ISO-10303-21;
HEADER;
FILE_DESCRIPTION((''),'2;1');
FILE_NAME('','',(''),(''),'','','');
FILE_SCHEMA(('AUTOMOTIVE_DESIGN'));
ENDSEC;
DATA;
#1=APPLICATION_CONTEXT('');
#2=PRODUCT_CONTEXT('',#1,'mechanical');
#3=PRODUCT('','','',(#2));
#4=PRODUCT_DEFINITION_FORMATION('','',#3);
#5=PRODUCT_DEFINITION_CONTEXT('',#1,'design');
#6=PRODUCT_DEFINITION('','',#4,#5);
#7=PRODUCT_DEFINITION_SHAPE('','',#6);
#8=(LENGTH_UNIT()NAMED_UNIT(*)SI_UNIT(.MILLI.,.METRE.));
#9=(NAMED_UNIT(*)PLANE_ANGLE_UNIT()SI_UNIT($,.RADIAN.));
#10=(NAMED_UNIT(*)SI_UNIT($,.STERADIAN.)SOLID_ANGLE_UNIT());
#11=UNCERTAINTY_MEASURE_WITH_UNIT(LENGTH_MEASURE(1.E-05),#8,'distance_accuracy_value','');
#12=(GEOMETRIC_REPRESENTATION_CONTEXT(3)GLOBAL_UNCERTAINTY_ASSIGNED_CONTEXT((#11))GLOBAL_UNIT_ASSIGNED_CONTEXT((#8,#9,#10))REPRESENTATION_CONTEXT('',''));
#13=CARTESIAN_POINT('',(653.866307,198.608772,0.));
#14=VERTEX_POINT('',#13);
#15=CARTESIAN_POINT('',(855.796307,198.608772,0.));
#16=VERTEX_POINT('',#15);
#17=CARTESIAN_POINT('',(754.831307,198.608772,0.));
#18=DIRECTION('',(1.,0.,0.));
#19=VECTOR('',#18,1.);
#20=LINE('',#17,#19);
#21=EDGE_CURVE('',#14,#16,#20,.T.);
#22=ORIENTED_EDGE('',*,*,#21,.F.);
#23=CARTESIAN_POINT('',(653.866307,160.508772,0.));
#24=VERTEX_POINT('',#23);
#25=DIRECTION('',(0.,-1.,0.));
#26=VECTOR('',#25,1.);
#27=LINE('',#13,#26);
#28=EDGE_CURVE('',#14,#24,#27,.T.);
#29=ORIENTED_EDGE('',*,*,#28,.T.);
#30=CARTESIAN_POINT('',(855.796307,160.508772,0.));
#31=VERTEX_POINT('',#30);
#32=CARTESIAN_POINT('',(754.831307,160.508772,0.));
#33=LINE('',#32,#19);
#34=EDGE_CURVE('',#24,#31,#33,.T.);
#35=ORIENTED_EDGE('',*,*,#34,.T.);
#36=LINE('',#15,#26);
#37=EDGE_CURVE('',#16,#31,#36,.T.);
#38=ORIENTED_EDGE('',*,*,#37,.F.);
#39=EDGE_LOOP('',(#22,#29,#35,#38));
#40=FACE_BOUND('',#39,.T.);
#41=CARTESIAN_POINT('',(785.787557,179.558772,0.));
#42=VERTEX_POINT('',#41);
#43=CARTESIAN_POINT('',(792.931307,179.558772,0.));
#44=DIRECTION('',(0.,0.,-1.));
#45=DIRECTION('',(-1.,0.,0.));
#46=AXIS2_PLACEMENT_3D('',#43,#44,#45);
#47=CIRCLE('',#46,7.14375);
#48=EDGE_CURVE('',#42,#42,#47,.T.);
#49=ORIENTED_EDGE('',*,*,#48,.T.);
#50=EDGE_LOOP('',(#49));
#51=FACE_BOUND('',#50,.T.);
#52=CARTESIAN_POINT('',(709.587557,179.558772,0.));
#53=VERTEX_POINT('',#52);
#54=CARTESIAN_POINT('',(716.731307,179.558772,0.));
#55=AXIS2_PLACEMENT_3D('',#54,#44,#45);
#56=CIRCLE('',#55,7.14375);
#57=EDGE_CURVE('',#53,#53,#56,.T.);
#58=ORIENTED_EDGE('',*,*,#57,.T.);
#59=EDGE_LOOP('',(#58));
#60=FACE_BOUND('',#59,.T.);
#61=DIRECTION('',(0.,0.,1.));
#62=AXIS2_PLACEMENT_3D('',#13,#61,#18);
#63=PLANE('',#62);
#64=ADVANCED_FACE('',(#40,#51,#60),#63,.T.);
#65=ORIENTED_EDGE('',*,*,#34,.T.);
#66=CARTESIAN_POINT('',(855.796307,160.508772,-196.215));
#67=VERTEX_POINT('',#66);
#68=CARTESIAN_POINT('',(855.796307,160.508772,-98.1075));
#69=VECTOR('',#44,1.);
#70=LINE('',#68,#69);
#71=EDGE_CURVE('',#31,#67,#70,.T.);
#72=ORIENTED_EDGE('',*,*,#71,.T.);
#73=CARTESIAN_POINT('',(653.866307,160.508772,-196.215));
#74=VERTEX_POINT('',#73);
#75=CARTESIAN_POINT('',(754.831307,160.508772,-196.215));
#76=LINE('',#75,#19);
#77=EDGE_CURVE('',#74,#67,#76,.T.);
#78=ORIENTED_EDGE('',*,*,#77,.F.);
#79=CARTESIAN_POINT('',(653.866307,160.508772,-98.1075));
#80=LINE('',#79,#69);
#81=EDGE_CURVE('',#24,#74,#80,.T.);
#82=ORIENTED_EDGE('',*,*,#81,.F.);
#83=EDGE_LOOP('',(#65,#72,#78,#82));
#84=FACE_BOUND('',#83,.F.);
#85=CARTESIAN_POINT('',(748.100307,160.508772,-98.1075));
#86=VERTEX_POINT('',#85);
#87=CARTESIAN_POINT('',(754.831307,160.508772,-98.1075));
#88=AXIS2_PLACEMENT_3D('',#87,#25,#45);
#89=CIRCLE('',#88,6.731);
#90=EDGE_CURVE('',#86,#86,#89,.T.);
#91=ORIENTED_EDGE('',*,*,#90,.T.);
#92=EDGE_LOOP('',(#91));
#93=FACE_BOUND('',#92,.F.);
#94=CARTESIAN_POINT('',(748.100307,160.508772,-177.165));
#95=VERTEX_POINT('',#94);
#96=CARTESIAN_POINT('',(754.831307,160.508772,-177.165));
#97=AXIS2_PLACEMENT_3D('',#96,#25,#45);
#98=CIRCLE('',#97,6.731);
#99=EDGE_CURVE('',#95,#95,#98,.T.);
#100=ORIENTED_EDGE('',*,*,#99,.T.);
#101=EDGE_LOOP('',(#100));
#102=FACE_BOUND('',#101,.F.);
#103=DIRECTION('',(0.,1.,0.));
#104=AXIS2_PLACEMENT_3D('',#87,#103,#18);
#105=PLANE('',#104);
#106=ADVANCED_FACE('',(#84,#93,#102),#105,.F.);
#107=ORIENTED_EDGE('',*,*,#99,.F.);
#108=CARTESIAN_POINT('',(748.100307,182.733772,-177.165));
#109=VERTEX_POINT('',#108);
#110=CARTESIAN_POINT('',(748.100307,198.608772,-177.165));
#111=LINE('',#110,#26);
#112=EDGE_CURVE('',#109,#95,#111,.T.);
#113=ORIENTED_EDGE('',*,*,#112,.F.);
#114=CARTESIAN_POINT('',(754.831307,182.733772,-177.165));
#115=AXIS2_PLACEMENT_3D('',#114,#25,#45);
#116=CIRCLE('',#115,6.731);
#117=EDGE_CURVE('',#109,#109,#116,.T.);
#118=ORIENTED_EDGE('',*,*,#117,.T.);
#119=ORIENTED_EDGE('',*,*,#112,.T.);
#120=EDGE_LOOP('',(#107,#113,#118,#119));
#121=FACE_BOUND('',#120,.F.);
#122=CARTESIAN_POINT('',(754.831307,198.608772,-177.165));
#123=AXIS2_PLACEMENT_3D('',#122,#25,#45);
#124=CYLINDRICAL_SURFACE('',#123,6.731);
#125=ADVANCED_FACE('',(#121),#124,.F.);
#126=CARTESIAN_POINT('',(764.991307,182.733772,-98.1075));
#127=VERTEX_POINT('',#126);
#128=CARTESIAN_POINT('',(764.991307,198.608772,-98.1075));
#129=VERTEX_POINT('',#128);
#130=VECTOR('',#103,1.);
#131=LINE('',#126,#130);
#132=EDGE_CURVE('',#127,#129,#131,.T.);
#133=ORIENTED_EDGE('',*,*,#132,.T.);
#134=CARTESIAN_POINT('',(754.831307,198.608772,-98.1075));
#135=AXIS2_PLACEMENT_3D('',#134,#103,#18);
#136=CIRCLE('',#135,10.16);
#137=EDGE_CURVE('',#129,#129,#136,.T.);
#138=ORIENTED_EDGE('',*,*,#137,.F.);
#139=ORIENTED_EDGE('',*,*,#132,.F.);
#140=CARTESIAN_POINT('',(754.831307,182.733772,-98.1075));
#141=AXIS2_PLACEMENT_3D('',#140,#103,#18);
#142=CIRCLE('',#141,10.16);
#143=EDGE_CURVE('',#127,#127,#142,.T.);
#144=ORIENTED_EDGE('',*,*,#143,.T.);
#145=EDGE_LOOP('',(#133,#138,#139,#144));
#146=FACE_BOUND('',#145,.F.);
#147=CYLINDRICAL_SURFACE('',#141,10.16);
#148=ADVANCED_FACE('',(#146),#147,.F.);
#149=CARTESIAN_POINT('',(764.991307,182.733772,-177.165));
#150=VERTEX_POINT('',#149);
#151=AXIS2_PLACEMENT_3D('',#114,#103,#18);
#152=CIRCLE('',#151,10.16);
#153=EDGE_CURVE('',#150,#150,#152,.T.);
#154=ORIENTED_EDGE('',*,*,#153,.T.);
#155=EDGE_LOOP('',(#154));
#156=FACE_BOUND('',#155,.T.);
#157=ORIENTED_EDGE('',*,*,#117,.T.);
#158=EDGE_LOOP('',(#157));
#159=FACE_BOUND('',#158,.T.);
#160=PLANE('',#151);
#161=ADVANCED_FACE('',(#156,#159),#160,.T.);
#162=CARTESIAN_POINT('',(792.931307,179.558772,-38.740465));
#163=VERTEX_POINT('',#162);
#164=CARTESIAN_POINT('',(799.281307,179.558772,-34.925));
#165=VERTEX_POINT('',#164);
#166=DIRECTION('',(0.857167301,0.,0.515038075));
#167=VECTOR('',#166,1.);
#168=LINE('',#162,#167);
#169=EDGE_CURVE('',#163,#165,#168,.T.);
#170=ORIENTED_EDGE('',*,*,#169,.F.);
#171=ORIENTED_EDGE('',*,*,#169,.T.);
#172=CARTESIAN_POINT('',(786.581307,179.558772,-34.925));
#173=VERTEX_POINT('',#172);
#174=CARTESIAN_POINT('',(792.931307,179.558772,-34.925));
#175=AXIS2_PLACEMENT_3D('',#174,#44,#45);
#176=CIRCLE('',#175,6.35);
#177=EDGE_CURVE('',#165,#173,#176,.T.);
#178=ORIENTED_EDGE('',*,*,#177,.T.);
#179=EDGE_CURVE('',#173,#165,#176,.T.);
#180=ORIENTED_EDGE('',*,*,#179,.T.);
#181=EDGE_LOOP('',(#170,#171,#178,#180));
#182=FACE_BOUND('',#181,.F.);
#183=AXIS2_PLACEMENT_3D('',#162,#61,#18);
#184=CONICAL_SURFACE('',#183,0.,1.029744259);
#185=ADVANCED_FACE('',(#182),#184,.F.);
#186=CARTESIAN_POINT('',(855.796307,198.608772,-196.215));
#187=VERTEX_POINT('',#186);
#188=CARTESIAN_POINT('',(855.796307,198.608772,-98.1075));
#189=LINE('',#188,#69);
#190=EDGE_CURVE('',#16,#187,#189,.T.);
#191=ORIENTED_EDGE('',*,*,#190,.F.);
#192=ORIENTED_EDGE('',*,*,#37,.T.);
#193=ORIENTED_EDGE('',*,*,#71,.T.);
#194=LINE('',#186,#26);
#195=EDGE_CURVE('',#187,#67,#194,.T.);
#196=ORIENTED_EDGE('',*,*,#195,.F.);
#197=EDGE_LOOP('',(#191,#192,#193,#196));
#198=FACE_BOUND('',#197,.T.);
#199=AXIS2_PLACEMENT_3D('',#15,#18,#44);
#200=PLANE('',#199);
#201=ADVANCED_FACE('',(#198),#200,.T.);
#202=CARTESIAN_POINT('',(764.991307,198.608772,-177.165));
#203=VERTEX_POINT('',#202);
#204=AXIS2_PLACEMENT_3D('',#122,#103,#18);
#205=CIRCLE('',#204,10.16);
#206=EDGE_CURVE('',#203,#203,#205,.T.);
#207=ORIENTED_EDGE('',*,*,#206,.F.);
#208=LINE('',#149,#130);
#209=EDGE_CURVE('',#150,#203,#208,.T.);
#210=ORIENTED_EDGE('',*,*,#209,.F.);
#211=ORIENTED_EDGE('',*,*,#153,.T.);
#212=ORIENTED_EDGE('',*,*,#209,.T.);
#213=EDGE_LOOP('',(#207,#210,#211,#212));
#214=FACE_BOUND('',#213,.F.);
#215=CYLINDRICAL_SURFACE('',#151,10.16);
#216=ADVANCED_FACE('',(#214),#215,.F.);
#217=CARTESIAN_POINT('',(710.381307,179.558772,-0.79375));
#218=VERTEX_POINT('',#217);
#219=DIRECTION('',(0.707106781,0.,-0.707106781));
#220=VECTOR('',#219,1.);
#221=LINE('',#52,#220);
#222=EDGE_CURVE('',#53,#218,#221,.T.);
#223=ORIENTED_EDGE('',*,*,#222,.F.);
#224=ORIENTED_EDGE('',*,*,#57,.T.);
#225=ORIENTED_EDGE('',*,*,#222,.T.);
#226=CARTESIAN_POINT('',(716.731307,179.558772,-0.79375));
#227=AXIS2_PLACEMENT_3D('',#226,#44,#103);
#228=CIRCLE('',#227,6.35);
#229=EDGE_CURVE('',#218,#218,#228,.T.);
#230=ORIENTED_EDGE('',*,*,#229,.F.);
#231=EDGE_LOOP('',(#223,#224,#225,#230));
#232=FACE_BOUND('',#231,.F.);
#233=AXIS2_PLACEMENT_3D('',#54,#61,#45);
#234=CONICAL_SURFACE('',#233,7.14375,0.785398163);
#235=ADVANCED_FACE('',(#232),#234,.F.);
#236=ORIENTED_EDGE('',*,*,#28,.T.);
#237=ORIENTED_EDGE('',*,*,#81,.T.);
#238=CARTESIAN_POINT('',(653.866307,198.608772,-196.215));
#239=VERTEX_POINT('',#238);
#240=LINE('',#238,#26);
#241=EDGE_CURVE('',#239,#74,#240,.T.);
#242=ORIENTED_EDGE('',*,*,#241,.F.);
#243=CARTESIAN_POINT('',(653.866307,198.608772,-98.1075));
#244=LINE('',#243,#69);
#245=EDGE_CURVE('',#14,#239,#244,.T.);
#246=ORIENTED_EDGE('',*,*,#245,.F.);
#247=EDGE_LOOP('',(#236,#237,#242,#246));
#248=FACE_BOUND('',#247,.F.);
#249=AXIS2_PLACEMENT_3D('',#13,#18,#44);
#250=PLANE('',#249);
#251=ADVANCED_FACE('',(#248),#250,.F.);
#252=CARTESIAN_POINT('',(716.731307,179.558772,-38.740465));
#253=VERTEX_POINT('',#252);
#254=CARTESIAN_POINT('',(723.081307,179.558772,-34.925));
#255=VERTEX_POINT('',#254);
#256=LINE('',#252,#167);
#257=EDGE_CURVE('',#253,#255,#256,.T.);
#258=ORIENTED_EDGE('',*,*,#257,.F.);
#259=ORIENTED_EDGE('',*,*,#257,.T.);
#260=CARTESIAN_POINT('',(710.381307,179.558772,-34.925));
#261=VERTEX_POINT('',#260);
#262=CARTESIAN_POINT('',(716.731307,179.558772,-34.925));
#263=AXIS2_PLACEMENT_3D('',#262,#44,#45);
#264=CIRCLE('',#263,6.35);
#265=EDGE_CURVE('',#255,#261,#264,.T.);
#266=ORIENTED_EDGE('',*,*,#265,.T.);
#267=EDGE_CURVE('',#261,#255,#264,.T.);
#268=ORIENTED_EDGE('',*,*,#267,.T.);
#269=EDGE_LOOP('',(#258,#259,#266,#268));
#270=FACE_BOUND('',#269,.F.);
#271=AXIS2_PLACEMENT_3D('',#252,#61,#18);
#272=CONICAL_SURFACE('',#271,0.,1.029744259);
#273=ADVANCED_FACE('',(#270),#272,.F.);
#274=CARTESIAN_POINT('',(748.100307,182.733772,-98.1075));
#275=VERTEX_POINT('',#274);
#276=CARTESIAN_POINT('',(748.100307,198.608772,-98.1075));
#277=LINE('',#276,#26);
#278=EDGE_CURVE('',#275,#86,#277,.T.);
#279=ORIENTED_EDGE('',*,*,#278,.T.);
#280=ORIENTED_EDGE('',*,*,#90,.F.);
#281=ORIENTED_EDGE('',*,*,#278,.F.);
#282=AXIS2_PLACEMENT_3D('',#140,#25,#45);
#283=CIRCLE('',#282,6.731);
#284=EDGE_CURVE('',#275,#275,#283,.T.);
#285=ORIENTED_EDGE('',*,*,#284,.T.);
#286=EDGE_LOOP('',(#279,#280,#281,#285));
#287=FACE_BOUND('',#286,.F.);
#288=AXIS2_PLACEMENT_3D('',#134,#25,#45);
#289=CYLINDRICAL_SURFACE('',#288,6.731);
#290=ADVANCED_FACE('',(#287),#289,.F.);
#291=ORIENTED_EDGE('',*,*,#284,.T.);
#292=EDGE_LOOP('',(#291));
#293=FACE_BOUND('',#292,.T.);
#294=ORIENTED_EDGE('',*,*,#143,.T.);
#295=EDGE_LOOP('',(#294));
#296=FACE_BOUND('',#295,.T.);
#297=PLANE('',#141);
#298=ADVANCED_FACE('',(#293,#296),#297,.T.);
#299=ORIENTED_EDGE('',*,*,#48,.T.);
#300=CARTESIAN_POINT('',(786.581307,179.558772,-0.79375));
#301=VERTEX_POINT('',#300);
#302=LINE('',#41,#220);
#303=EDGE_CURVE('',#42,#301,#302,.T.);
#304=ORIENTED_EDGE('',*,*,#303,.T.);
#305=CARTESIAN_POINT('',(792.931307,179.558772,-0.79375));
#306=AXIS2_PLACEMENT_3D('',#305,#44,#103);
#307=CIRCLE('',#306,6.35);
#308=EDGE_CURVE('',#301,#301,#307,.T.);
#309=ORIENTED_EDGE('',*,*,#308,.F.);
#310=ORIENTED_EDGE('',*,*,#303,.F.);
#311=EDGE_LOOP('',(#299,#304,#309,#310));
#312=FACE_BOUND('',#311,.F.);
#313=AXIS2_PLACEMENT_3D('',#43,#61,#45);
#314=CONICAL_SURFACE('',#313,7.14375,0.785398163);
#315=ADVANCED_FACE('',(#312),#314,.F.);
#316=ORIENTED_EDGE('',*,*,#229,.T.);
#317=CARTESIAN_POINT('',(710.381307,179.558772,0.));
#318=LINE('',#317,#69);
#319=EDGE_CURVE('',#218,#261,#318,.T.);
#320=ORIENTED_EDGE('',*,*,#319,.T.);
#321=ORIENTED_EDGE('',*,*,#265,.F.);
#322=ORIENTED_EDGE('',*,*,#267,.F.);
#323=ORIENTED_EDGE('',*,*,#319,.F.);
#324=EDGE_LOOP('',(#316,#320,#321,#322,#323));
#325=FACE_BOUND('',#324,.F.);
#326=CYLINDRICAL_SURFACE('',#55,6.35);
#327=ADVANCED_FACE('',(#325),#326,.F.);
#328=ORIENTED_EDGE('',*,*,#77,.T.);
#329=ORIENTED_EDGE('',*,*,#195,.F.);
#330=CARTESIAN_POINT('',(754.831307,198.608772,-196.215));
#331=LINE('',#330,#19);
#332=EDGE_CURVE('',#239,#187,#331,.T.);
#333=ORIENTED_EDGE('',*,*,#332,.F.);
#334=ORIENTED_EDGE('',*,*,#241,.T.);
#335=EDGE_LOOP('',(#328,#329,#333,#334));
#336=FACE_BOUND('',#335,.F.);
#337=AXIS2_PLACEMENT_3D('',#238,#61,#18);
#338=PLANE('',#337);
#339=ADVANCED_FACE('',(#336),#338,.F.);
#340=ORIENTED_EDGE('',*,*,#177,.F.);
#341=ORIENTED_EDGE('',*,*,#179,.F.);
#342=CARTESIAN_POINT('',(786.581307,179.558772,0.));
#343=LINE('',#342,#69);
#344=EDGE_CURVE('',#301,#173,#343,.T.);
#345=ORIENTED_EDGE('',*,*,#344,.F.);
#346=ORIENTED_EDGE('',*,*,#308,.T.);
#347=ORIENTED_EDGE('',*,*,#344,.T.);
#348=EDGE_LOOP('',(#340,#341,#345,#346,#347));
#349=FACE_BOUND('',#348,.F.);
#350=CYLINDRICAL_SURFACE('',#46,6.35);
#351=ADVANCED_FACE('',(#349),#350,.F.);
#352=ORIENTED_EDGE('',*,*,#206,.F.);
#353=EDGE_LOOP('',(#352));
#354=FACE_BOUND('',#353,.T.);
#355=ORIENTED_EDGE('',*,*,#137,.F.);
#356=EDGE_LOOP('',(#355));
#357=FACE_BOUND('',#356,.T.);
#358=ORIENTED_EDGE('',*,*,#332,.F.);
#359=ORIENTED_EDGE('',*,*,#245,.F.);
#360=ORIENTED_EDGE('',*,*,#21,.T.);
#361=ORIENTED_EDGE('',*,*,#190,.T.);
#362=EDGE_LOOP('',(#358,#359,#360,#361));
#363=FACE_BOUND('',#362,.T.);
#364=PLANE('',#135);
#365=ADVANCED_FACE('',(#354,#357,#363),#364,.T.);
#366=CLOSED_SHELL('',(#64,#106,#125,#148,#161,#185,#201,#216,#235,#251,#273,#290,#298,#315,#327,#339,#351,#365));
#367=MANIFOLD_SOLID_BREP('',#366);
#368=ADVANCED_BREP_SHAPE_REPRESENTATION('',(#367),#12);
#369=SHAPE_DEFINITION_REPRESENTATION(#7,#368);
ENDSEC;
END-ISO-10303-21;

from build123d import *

# Parameters (mm, degrees)
F0_W           = 201.93
F0_H           = 196.215
F0_R           = 10.16
F0_R_2         = 6.604
F1_DEPTH       = 38.1
F2_D           = 13.462
F2_DEPTH       = 50.8
F2_CBORE_D     = 20.32
F2_CBORE_DEPTH = 15.875
F2_TIP         = 4.0443928267
F3_ANGLE       = -90
F5_D           = 12.7
F5_DEPTH       = 34.925
F5_CSINK_D     = 14.2875
F5_CSINK_ANGLE = 90
F5_TIP         = 3.8154649308


with BuildPart() as f1:
    # F0 (on Top) → F1 (new body)
    with BuildSketch(Plane.XY):
        with Locations((754.8313072, 347.5162722)):
            Rectangle(F0_W, F0_H)
        with Locations((754.8313072, 268.4587722)):
            Circle(F0_R, mode=Mode.SUBTRACT)
        with Locations((754.8313072, 347.5162722)):
            Circle(F0_R, mode=Mode.SUBTRACT)
        with Locations((754.8313072, 426.5737722)):
            Circle(F0_R, mode=Mode.SUBTRACT)
        with Locations((754.8313072, 426.5737722)):
            Circle(F0_R)
        with Locations((754.8313072, 426.5737722)):
            Circle(F0_R_2, mode=Mode.SUBTRACT)
        with Locations((754.8313072, 347.5162722)):
            Circle(F0_R)
        with Locations((754.8313072, 347.5162722)):
            Circle(F0_R_2, mode=Mode.SUBTRACT)
        with Locations((754.8313072, 347.5162722)):
            Circle(F0_R_2)
        with Locations((754.8313072, 426.5737722)):
            Circle(F0_R_2)
        with Locations((754.8313072, 268.4587722)):
            Circle(F0_R)
        with Locations((754.8313072, 268.4587722)):
            Circle(F0_R_2, mode=Mode.SUBTRACT)
        with Locations((754.8313072, 268.4587722)):
            Circle(F0_R_2)
    extrude(amount=-F1_DEPTH)

    # F2
    with Locations(Plane.XY):
        with Locations((754.8313072, 426.5737722), (754.8313072, 347.5162722)):
            CounterBoreHole(F2_D / 2, F2_CBORE_D / 2, F2_CBORE_DEPTH, depth=F2_DEPTH)
            with Locations((0, 0, -(F2_DEPTH + F2_TIP / 2))):  # 118° drill point
                Cone(0, F2_D / 2, F2_TIP, mode=Mode.SUBTRACT)


with BuildPart() as f1_1:
    # F3: moved
    add(f1.part.rotate(Axis((754.8313072, 249.4087722, 0), (1, 0, 0)), F3_ANGLE))


with BuildPart() as f1_2:
    # F4: moved
    add(f1_1.part.moved(Location((0, -50.8, 0))))

    # F5
    with Locations(Plane.XY):
        with Locations((716.7313072, 179.5587722), (792.9313072, 179.5587722)):
            CounterSinkHole(F5_D / 2, F5_CSINK_D / 2, depth=F5_DEPTH, counter_sink_angle=F5_CSINK_ANGLE)
            with Locations((0, 0, -(F5_DEPTH + F5_TIP / 2))):  # 118° drill point
                Cone(0, F5_D / 2, F5_TIP, mode=Mode.SUBTRACT)


solid = f1_2.part
